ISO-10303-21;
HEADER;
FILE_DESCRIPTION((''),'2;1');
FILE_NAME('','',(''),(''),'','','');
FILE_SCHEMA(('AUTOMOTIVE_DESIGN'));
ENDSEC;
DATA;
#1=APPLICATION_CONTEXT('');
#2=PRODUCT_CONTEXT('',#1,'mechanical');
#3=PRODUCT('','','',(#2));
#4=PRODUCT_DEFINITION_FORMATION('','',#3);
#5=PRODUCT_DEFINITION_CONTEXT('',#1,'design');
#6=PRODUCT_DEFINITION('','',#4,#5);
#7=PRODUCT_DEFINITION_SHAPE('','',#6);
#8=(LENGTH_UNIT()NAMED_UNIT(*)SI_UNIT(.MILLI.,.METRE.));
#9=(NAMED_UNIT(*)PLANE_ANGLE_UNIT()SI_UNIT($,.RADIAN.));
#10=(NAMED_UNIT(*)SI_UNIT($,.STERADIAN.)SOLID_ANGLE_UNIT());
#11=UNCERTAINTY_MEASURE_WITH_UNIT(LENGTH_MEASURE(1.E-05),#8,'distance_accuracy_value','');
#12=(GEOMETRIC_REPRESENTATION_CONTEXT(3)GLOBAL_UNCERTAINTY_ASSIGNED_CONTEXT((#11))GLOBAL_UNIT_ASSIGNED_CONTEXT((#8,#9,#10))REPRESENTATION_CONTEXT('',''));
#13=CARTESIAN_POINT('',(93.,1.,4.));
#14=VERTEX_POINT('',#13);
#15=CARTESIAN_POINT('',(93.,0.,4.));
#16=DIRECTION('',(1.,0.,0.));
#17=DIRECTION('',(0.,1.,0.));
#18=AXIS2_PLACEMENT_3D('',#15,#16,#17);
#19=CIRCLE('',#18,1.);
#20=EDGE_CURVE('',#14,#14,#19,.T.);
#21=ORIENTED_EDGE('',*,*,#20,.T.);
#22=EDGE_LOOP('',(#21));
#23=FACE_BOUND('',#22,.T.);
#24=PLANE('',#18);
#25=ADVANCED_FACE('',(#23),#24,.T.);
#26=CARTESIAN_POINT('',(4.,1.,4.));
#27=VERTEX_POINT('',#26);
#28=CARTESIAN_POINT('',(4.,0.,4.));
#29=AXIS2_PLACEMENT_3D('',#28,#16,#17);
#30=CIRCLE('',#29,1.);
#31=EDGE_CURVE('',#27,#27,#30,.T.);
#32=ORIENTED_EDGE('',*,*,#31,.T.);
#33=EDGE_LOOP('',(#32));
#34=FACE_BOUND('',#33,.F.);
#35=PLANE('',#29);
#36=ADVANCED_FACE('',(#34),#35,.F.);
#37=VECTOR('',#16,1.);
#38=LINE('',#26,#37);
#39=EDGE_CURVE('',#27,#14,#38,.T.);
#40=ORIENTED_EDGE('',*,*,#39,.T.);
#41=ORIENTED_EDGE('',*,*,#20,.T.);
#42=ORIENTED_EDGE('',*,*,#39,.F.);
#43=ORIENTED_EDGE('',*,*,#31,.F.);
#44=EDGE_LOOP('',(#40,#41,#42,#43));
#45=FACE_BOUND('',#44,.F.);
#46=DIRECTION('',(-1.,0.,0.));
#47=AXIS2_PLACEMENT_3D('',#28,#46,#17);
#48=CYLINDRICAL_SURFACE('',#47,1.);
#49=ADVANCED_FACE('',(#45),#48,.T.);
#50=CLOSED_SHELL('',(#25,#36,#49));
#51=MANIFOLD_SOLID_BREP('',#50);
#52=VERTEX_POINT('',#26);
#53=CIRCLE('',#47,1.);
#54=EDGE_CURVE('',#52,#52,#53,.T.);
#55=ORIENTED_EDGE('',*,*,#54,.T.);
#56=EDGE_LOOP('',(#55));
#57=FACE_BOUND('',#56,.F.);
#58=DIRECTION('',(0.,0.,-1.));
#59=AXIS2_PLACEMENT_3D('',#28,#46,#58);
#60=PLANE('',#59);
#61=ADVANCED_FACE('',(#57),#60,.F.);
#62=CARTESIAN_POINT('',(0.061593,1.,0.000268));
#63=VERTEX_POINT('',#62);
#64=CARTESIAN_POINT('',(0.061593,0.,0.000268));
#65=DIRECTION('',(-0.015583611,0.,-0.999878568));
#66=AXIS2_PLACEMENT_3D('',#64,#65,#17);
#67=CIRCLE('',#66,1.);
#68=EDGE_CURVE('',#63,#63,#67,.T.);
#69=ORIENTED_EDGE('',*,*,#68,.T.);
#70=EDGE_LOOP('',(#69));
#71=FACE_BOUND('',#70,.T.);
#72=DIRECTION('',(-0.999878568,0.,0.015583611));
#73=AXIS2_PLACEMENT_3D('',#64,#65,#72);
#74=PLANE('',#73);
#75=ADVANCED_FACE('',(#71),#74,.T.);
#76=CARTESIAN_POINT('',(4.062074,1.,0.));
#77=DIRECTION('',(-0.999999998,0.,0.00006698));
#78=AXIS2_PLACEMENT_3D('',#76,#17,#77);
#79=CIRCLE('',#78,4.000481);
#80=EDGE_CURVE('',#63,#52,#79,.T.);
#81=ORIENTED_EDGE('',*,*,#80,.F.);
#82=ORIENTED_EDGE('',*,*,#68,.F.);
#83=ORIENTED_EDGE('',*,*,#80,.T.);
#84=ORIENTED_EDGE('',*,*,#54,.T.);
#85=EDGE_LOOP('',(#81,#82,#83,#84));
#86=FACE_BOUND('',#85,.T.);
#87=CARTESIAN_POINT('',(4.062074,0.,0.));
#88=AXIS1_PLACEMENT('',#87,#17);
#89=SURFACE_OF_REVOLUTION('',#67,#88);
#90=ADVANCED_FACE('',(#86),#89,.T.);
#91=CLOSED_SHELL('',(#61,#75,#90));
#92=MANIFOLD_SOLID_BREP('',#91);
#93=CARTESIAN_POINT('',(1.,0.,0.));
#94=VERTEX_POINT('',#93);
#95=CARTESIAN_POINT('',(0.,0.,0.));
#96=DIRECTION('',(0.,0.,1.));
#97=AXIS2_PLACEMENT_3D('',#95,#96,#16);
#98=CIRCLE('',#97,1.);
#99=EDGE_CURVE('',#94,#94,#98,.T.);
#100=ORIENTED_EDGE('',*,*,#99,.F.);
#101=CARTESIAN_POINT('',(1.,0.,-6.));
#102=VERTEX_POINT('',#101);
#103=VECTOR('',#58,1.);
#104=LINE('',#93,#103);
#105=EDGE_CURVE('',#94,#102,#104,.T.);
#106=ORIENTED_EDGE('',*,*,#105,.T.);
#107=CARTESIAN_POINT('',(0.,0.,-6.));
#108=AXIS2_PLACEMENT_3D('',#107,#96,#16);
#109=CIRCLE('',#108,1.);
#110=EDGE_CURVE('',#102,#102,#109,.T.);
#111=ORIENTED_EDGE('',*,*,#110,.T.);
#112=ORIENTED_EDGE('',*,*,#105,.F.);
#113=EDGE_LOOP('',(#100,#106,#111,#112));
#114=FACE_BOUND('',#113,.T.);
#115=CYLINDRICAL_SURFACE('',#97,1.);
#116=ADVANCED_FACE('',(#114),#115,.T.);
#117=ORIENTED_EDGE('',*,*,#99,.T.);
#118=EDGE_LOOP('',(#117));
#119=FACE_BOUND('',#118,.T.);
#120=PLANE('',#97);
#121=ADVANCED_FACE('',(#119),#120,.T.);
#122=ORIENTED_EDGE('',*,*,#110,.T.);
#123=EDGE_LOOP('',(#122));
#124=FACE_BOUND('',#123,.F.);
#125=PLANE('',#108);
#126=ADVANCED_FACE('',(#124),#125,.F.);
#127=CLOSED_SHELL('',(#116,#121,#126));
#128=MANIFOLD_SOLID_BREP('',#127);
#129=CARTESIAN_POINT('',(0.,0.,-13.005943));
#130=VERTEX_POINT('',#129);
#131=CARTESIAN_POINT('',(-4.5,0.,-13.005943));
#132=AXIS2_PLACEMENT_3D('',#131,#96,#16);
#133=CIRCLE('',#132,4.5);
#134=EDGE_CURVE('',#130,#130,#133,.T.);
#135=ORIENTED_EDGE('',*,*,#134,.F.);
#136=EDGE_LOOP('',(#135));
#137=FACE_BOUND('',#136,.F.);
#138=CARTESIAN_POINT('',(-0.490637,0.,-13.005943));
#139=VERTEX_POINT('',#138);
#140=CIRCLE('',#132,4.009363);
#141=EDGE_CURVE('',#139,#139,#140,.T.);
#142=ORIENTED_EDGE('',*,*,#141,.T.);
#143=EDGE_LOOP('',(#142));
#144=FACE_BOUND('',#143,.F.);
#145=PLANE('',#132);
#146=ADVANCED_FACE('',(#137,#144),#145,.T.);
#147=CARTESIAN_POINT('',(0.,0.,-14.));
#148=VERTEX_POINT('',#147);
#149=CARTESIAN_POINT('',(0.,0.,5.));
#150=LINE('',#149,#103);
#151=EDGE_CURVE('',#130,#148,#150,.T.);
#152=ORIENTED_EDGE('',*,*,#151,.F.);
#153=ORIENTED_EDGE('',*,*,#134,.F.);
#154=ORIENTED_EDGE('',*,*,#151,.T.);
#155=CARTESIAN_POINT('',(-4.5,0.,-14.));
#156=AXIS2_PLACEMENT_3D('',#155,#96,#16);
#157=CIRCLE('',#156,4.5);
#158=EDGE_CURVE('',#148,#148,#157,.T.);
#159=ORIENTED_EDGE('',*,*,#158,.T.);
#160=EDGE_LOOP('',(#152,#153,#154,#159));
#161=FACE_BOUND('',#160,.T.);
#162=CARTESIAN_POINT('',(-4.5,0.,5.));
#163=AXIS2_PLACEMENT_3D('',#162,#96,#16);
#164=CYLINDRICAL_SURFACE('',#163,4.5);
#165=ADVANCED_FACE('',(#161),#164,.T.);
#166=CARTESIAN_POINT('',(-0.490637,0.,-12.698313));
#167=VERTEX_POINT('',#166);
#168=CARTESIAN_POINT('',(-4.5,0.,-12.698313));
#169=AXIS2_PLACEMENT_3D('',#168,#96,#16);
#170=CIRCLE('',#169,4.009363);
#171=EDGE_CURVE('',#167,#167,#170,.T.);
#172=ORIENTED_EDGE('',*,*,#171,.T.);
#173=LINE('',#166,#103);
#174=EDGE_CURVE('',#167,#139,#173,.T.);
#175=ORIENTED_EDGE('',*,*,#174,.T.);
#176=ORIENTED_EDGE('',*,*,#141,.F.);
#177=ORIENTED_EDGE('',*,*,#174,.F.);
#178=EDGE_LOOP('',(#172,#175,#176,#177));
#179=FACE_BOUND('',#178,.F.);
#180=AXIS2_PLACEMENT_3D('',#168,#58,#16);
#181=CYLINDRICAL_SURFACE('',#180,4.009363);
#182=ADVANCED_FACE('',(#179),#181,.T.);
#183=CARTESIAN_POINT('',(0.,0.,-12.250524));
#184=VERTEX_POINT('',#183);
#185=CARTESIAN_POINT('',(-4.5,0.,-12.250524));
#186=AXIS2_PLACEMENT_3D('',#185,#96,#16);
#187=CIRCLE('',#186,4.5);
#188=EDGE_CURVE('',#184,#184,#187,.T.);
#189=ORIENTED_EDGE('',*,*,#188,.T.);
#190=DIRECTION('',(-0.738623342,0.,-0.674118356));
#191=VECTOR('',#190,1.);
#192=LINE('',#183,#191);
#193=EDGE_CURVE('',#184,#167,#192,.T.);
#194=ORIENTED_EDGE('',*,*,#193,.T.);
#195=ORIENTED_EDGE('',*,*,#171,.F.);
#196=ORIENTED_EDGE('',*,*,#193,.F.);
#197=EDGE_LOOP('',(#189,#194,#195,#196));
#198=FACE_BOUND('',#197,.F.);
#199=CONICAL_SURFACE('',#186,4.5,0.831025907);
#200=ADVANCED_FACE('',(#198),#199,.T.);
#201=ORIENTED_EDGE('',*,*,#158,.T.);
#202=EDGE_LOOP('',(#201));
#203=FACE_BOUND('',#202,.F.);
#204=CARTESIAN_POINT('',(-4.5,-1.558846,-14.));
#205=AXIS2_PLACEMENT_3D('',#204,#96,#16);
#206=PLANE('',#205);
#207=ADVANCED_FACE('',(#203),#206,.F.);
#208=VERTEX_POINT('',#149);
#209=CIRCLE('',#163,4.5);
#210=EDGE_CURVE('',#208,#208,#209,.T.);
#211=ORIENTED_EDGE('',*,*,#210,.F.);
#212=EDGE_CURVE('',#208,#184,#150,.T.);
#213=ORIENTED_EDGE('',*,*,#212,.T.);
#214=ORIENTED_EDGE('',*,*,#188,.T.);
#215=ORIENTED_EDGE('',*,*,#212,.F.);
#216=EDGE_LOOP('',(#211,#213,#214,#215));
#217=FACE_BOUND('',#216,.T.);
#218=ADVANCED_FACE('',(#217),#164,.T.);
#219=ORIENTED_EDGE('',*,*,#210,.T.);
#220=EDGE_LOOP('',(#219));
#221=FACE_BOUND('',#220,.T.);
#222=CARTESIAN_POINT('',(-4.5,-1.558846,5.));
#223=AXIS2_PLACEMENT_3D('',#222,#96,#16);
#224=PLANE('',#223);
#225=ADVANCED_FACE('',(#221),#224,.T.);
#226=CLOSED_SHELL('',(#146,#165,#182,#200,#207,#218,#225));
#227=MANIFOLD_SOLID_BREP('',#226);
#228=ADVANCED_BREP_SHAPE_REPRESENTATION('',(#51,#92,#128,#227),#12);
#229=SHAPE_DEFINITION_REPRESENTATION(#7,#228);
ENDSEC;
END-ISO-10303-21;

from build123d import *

# Parameters (mm, degrees)
F0_R      = 1
F3_DEPTH  = 6
F2_R      = 1
F4_DEPTH  = 89
F4_FACE_R = 1
F9_DEPTH  = 19


with BuildPart() as f3:
    # F0 (on Top) → F3 (new body)
    with BuildSketch(Plane.XY):
        Circle(F0_R)
    extrude(amount=-F3_DEPTH)


with BuildPart() as f4:
    # F2 (on offset) → F4 (new body)
    with BuildSketch(Plane.YZ.offset(4)):
        with Locations((0, 4)):
            Circle(F2_R)
    extrude(amount=F4_DEPTH)


with BuildPart() as f6:
    # F6: sweep along a path in F5
    with BuildLine(Plane.XZ) as f6_path:
        ThreePointArc((0, 0), (1.16746, 2.849852), (3.998772, 4.061581))
    # F4_face (on face) → F6 (sweep)
    with BuildSketch(Plane(origin=(4, 0, 4), x_dir=(0, 1, 0), z_dir=(-1, 0, 0))):
        Circle(F4_FACE_R)
    sweep(path=f6_path.line)


with BuildPart() as f9:
    # F8 (on offset) → F9 (new body)
    with BuildSketch(Plane.XY.offset(5)):
        with BuildLine():
            ThreePointArc((-9, 0), (-4.5, -4.5), (0, 0))
            Line((0, 0), (-4.5, 0))
            Line((-4.5, 0), (-9, 0))
        make_face()
        with BuildLine():
            Line((-4.5, 0), (0, 0))
            ThreePointArc((0, 0), (-4.5, 4.5), (-9, 0))
            Line((-9, 0), (-4.5, 0))
        make_face()
    extrude(amount=-F9_DEPTH)

    # F10 (on Front) → F12 (revolve, cut)
    with BuildSketch(Plane.XZ):
        Polygon((0, -13.005943), (0, -14.014255), (1.1325, -13.989662), (1.1325, -12.52638), (0, -12.250524), (-0.490637, -12.698313), (-0.490637, -13.005943), align=None)
    revolve(axis=Axis((-4.5, 0, -12.944212), (0, 0, 1)), mode=Mode.SUBTRACT)


solid = Compound([f3.part, f4.part, f6.part, f9.part])
